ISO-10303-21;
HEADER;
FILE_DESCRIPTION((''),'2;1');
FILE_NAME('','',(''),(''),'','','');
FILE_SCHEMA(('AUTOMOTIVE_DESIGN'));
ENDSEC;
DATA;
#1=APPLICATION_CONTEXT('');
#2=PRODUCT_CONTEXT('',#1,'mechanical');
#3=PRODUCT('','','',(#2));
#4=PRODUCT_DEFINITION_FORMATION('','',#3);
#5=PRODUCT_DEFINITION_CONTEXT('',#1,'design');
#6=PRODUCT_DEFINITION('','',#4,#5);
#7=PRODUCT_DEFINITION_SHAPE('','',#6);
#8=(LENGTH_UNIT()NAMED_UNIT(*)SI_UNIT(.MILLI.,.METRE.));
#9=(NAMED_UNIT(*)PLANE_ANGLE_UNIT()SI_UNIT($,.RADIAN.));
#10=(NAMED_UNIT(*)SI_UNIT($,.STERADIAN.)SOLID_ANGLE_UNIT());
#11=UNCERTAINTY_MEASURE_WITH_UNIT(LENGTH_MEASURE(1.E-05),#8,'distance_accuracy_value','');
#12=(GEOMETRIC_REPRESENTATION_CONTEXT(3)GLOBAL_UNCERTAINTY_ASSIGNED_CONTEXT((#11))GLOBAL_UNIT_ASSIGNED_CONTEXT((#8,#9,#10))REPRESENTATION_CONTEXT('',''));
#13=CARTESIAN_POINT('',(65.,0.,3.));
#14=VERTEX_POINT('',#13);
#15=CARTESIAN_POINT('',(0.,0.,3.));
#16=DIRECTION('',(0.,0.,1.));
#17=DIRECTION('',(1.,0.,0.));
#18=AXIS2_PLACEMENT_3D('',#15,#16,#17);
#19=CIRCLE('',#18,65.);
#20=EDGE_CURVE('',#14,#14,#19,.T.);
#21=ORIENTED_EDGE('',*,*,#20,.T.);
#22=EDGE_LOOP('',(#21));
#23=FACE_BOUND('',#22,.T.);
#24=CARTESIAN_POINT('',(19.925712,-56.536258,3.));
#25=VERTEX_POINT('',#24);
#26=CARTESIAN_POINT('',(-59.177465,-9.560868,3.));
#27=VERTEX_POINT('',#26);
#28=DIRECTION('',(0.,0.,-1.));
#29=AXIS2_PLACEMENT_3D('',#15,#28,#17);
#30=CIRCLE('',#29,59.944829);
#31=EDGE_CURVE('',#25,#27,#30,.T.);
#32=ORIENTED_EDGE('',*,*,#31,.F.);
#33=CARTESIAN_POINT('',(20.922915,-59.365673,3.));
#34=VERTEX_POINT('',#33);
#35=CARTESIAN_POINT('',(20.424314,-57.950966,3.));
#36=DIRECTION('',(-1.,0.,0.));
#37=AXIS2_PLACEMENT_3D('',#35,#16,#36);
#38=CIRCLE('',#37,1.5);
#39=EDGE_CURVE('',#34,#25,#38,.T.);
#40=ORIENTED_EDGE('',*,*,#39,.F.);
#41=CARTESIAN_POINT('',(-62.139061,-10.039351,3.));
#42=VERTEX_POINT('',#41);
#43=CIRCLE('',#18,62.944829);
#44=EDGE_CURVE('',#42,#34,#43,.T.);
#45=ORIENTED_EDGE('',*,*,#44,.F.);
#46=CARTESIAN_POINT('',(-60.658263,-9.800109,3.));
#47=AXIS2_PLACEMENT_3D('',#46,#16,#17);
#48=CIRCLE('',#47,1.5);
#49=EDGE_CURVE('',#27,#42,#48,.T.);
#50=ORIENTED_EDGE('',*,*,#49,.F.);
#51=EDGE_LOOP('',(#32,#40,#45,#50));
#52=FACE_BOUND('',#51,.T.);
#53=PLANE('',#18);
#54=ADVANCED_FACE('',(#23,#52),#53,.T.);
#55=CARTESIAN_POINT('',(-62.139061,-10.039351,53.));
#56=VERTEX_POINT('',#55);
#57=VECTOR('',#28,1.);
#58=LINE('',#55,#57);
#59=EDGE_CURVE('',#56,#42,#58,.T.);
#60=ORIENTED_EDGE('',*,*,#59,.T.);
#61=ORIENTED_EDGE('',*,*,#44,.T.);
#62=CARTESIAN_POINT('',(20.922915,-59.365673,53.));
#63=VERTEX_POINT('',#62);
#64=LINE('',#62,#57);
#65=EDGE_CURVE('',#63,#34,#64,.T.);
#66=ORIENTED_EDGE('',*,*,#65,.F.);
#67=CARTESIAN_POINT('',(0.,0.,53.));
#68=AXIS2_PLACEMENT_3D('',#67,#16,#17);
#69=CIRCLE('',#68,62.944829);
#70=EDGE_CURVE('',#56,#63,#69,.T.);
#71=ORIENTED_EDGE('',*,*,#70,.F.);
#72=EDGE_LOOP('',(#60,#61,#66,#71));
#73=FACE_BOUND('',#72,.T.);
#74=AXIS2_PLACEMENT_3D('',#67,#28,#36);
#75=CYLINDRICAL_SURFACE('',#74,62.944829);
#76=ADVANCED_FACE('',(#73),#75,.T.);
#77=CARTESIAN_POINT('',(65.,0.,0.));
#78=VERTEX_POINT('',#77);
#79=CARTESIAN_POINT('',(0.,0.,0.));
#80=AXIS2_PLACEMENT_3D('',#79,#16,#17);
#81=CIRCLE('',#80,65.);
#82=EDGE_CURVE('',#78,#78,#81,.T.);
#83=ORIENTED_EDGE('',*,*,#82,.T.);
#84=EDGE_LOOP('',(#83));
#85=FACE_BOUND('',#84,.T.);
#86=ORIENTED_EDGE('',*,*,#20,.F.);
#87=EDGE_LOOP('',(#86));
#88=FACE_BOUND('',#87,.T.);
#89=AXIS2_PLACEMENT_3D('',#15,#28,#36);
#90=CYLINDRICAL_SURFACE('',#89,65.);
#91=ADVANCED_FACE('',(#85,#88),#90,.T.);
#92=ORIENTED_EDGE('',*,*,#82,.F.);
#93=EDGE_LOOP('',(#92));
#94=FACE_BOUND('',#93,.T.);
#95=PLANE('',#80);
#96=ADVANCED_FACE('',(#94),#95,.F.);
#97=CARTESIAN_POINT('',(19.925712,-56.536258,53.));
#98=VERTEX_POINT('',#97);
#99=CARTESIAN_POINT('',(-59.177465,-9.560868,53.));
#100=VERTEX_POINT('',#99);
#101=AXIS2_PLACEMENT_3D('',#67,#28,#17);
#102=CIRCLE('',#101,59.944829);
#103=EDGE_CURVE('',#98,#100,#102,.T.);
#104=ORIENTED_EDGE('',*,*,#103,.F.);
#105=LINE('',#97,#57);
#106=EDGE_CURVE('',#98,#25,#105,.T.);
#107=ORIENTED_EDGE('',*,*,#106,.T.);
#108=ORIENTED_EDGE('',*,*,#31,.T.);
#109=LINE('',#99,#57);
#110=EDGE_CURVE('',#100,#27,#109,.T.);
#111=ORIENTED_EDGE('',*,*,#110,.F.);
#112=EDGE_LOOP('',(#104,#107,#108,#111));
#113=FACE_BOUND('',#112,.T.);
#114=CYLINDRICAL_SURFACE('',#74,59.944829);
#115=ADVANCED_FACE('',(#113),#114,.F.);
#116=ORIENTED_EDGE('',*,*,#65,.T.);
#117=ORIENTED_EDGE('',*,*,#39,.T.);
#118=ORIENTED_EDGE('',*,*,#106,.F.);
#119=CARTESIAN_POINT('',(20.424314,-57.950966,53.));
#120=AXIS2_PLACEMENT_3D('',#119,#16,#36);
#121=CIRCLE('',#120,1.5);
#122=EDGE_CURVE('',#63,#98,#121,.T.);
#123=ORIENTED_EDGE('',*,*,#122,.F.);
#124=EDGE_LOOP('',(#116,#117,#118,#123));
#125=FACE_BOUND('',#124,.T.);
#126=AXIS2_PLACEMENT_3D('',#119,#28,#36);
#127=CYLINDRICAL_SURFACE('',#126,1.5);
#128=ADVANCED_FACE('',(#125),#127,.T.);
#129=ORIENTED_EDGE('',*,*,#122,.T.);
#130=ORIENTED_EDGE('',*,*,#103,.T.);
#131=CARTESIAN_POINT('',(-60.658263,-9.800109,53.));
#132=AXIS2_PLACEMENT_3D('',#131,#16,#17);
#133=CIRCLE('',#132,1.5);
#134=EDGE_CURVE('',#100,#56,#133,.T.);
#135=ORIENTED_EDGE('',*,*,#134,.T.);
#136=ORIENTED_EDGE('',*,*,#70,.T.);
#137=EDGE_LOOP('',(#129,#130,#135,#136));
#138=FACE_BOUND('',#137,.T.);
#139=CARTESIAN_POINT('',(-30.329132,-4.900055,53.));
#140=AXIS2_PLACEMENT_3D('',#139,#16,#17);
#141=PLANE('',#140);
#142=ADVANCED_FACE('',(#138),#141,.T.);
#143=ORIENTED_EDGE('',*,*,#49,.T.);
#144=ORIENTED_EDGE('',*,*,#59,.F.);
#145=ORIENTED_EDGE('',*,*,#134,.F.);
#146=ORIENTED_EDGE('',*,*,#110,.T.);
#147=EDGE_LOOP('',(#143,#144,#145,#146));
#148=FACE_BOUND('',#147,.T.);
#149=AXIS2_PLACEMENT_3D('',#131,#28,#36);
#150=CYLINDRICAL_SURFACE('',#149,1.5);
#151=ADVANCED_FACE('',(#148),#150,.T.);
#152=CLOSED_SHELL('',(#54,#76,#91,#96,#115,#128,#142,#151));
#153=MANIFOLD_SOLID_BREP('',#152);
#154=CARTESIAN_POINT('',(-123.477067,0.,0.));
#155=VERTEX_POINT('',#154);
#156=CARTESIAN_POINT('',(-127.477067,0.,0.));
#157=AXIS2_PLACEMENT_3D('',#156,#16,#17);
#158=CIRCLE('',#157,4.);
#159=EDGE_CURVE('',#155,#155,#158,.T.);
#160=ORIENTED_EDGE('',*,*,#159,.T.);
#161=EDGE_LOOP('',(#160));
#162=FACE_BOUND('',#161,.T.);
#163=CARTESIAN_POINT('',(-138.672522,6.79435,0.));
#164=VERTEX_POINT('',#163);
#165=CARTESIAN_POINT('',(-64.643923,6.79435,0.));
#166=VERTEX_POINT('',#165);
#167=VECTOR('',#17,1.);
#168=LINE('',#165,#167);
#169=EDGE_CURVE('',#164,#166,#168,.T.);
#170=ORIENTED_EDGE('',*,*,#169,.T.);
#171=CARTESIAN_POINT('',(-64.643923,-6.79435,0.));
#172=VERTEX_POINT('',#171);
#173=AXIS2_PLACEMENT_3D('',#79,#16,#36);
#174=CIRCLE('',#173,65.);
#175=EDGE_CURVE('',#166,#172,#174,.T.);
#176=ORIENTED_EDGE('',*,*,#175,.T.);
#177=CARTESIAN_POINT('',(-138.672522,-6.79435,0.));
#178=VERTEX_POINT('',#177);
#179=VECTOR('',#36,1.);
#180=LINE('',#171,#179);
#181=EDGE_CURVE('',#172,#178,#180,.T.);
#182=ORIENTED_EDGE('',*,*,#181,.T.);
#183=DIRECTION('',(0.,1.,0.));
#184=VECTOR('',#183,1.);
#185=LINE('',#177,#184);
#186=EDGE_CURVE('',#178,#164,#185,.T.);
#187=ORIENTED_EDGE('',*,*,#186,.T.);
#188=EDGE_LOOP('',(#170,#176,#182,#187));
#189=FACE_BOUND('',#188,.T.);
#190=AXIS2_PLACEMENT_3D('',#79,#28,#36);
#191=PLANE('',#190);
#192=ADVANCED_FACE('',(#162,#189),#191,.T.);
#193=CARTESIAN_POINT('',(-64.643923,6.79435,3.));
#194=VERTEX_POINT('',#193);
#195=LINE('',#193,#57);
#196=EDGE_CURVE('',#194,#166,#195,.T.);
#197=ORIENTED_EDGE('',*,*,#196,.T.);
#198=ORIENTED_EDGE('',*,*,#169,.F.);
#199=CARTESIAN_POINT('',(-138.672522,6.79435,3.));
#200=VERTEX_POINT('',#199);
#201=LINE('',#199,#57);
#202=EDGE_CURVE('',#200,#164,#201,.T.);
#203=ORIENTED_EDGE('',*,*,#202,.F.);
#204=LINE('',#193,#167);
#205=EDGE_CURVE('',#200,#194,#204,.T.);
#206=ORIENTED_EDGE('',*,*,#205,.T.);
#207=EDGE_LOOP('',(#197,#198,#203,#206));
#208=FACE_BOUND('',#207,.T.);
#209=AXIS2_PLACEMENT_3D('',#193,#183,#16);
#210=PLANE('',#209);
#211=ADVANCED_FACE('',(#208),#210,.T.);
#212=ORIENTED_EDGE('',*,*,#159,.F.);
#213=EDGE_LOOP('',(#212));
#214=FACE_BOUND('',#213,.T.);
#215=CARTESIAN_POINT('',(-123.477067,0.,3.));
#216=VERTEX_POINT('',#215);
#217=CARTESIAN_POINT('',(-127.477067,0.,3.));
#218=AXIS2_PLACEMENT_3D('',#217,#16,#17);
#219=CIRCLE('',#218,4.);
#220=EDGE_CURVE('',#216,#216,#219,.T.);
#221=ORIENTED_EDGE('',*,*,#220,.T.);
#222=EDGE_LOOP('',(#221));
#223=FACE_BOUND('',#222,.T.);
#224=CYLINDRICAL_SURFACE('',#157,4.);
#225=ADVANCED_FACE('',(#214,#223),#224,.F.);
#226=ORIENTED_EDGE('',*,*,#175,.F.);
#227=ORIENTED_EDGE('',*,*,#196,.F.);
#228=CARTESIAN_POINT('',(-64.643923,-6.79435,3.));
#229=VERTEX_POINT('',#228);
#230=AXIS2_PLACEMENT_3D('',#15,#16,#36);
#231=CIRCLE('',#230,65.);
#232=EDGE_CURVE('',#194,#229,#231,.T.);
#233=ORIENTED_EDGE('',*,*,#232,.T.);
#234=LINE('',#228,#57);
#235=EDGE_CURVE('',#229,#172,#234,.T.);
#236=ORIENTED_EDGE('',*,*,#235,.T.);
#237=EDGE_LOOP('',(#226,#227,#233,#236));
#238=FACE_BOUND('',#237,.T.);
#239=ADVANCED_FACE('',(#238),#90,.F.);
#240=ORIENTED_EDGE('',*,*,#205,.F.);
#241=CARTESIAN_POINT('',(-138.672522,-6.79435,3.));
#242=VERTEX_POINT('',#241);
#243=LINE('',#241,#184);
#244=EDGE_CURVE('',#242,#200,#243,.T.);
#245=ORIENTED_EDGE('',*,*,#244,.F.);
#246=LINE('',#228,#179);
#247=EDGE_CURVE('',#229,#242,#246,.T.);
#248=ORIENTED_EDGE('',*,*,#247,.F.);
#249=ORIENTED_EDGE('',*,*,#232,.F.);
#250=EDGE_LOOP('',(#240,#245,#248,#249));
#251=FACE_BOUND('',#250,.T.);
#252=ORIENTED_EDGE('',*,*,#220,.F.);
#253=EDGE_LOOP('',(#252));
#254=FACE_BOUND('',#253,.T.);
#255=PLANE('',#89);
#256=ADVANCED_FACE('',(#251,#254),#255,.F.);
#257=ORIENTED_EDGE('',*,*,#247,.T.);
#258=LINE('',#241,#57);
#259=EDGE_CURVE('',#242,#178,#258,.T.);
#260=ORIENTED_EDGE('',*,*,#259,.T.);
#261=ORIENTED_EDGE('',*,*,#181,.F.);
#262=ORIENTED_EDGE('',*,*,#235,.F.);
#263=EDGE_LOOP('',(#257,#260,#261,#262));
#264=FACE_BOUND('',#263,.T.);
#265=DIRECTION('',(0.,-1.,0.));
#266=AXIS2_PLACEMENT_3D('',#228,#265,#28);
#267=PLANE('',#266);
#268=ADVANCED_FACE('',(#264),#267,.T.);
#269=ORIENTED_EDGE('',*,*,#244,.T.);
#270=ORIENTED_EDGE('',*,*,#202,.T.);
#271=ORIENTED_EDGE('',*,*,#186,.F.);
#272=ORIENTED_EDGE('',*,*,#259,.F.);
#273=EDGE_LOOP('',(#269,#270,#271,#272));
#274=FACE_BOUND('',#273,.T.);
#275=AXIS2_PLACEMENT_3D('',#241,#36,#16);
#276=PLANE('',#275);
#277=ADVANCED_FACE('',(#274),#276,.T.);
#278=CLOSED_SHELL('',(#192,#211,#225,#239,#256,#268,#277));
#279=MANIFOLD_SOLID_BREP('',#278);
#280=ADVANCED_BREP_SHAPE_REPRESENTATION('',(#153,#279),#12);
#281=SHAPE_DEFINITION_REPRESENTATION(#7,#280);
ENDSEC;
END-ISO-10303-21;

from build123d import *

# Parameters (mm, degrees)
ESQUISSE1_R             = 65
BOSS_EXTRU_1_DEPTH      = 3
BOSS_EXTRU_3_DEPTH      = 3
ESQUISSE4_R             = 4
ENL_V_MAT_EXTRU_1_DEPTH = 3
BOSS_EXTRU_4_DEPTH      = 50


with BuildPart() as part:
    # Esquisse1 → Boss.-Extru.1 (new body)
    with BuildSketch(Plane.XY):
        Circle(ESQUISSE1_R)
    extrude(amount=BOSS_EXTRU_1_DEPTH)

    # Esquisse5 → Boss.-Extru.4 (add)
    with BuildSketch(Plane.XY.offset(3)):
        with BuildLine():
            ThreePointArc((-59.177464872, -9.560867786), (-30.607954016, -51.54159187), (19.92571249, -56.536258483))
            ThreePointArc((19.92571249, -56.536258483), (21.839021079, -57.452364506), (20.922915056, -59.365673094))
            ThreePointArc((20.922915056, -59.365673094), (-32.139760235, -54.121043305), (-62.139061346, -10.039351147))
            ThreePointArc((-62.139061346, -10.039351147), (-60.89750479, -8.31931123), (-59.177464872, -9.560867786))
        make_face()
    extrude(amount=BOSS_EXTRU_4_DEPTH)


with BuildPart() as body_2:
    # Esquisse3 → Boss.-Extru.3 (new body)
    with BuildSketch(Plane(origin=(0, 0, 0), x_dir=(-1, 0, 0), z_dir=(0, 0, -1))):
        with BuildLine():
            Line((64.643923199, 6.794350112), (138.672522355, 6.794350112))
            Line((138.672522355, 6.794350112), (138.672522355, -6.794350112))
            Line((138.672522355, -6.794350112), (64.643923199, -6.794350112))
            ThreePointArc((64.643923199, -6.794350112), (65, 0), (64.643923199, 6.794350112))
        make_face()
    extrude(amount=-BOSS_EXTRU_3_DEPTH)

    # Esquisse4 → Enlèv. mat.-Extru.1 (cut)
    with BuildSketch(Plane.XY.offset(3)):
        with Locations((-127.477067306, 0)):
            Circle(ESQUISSE4_R)
    extrude(amount=-ENL_V_MAT_EXTRU_1_DEPTH, mode=Mode.SUBTRACT)


solid = Compound([part.part, body_2.part])
